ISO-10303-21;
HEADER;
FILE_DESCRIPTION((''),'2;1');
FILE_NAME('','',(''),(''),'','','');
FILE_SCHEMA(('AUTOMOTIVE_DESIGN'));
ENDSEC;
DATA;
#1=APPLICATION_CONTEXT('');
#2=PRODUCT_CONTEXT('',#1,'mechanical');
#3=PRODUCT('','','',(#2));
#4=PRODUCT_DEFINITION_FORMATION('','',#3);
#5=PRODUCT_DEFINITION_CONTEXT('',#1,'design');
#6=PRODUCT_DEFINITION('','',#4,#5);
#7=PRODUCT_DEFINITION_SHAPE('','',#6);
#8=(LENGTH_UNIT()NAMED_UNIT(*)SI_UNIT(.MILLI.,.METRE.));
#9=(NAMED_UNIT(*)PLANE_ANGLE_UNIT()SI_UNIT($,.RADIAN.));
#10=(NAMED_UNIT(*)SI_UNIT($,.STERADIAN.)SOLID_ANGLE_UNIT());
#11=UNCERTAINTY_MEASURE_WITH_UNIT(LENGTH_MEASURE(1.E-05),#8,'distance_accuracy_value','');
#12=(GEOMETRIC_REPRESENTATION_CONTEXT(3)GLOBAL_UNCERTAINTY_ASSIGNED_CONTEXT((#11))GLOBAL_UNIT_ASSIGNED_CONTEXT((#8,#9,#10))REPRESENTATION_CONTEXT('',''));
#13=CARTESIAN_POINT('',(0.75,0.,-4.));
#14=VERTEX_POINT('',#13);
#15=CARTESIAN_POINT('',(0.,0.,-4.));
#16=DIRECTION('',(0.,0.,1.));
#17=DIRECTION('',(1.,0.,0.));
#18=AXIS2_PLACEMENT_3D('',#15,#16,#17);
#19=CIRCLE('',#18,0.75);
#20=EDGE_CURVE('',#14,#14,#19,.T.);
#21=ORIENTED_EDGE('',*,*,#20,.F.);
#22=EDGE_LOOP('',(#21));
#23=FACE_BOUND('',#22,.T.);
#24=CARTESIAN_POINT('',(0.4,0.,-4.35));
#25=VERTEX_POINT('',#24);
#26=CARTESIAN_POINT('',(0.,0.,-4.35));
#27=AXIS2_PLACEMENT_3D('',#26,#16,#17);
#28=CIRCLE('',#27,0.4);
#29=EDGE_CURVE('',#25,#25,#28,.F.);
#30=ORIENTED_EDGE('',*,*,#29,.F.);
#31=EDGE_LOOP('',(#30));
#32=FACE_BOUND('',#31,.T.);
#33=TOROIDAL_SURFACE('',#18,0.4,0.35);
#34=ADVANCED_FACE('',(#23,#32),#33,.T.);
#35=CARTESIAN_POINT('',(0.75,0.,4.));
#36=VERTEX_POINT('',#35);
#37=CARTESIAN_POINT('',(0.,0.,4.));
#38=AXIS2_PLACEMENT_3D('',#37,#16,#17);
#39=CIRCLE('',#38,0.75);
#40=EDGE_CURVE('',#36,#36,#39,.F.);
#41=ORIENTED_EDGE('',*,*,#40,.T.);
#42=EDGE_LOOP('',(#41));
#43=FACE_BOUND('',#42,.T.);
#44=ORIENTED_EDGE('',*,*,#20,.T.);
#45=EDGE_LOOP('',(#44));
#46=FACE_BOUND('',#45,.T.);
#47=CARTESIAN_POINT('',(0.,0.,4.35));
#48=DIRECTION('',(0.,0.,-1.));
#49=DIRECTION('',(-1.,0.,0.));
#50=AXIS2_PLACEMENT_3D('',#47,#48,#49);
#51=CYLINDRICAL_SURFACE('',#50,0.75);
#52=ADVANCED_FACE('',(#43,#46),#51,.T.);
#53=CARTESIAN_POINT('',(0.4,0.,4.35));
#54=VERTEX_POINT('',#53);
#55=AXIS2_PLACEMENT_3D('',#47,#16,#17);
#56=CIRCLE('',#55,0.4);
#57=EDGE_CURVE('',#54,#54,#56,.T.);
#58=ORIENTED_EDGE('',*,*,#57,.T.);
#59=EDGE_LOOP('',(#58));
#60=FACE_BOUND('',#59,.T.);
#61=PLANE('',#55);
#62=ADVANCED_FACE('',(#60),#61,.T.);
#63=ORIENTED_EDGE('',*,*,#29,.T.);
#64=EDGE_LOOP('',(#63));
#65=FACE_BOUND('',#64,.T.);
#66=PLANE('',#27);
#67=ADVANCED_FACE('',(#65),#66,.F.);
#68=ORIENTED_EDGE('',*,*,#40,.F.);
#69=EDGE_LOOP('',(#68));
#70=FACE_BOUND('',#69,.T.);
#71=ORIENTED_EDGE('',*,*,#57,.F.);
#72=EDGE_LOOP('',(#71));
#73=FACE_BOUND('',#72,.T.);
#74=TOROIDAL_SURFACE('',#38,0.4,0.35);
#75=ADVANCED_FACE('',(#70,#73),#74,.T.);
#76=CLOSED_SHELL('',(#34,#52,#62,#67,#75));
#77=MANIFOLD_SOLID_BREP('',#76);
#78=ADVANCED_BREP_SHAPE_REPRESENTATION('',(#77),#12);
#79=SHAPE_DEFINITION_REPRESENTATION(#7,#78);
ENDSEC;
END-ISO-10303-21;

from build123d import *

# Parameters (mm, degrees)
SKETCH1_R           = 0.75
BOSS_EXTRUDE1_DEPTH = 4.35
FILLET1_R           = 0.35


with BuildPart() as part:
    # Sketch1 → Boss-Extrude1 (new body, symmetric)
    with BuildSketch(Plane.XY):
        Circle(SKETCH1_R)
    extrude(amount=BOSS_EXTRUDE1_DEPTH, both=True)

    # Fillet1
    fillet1_edges = [part.edges().sort_by_distance(p)[0] for p in [
        (-0.75, 0, -4.35),
        (-0.75, 0, 4.35),
    ]]
    fillet(fillet1_edges, radius=FILLET1_R)


solid = part.part
